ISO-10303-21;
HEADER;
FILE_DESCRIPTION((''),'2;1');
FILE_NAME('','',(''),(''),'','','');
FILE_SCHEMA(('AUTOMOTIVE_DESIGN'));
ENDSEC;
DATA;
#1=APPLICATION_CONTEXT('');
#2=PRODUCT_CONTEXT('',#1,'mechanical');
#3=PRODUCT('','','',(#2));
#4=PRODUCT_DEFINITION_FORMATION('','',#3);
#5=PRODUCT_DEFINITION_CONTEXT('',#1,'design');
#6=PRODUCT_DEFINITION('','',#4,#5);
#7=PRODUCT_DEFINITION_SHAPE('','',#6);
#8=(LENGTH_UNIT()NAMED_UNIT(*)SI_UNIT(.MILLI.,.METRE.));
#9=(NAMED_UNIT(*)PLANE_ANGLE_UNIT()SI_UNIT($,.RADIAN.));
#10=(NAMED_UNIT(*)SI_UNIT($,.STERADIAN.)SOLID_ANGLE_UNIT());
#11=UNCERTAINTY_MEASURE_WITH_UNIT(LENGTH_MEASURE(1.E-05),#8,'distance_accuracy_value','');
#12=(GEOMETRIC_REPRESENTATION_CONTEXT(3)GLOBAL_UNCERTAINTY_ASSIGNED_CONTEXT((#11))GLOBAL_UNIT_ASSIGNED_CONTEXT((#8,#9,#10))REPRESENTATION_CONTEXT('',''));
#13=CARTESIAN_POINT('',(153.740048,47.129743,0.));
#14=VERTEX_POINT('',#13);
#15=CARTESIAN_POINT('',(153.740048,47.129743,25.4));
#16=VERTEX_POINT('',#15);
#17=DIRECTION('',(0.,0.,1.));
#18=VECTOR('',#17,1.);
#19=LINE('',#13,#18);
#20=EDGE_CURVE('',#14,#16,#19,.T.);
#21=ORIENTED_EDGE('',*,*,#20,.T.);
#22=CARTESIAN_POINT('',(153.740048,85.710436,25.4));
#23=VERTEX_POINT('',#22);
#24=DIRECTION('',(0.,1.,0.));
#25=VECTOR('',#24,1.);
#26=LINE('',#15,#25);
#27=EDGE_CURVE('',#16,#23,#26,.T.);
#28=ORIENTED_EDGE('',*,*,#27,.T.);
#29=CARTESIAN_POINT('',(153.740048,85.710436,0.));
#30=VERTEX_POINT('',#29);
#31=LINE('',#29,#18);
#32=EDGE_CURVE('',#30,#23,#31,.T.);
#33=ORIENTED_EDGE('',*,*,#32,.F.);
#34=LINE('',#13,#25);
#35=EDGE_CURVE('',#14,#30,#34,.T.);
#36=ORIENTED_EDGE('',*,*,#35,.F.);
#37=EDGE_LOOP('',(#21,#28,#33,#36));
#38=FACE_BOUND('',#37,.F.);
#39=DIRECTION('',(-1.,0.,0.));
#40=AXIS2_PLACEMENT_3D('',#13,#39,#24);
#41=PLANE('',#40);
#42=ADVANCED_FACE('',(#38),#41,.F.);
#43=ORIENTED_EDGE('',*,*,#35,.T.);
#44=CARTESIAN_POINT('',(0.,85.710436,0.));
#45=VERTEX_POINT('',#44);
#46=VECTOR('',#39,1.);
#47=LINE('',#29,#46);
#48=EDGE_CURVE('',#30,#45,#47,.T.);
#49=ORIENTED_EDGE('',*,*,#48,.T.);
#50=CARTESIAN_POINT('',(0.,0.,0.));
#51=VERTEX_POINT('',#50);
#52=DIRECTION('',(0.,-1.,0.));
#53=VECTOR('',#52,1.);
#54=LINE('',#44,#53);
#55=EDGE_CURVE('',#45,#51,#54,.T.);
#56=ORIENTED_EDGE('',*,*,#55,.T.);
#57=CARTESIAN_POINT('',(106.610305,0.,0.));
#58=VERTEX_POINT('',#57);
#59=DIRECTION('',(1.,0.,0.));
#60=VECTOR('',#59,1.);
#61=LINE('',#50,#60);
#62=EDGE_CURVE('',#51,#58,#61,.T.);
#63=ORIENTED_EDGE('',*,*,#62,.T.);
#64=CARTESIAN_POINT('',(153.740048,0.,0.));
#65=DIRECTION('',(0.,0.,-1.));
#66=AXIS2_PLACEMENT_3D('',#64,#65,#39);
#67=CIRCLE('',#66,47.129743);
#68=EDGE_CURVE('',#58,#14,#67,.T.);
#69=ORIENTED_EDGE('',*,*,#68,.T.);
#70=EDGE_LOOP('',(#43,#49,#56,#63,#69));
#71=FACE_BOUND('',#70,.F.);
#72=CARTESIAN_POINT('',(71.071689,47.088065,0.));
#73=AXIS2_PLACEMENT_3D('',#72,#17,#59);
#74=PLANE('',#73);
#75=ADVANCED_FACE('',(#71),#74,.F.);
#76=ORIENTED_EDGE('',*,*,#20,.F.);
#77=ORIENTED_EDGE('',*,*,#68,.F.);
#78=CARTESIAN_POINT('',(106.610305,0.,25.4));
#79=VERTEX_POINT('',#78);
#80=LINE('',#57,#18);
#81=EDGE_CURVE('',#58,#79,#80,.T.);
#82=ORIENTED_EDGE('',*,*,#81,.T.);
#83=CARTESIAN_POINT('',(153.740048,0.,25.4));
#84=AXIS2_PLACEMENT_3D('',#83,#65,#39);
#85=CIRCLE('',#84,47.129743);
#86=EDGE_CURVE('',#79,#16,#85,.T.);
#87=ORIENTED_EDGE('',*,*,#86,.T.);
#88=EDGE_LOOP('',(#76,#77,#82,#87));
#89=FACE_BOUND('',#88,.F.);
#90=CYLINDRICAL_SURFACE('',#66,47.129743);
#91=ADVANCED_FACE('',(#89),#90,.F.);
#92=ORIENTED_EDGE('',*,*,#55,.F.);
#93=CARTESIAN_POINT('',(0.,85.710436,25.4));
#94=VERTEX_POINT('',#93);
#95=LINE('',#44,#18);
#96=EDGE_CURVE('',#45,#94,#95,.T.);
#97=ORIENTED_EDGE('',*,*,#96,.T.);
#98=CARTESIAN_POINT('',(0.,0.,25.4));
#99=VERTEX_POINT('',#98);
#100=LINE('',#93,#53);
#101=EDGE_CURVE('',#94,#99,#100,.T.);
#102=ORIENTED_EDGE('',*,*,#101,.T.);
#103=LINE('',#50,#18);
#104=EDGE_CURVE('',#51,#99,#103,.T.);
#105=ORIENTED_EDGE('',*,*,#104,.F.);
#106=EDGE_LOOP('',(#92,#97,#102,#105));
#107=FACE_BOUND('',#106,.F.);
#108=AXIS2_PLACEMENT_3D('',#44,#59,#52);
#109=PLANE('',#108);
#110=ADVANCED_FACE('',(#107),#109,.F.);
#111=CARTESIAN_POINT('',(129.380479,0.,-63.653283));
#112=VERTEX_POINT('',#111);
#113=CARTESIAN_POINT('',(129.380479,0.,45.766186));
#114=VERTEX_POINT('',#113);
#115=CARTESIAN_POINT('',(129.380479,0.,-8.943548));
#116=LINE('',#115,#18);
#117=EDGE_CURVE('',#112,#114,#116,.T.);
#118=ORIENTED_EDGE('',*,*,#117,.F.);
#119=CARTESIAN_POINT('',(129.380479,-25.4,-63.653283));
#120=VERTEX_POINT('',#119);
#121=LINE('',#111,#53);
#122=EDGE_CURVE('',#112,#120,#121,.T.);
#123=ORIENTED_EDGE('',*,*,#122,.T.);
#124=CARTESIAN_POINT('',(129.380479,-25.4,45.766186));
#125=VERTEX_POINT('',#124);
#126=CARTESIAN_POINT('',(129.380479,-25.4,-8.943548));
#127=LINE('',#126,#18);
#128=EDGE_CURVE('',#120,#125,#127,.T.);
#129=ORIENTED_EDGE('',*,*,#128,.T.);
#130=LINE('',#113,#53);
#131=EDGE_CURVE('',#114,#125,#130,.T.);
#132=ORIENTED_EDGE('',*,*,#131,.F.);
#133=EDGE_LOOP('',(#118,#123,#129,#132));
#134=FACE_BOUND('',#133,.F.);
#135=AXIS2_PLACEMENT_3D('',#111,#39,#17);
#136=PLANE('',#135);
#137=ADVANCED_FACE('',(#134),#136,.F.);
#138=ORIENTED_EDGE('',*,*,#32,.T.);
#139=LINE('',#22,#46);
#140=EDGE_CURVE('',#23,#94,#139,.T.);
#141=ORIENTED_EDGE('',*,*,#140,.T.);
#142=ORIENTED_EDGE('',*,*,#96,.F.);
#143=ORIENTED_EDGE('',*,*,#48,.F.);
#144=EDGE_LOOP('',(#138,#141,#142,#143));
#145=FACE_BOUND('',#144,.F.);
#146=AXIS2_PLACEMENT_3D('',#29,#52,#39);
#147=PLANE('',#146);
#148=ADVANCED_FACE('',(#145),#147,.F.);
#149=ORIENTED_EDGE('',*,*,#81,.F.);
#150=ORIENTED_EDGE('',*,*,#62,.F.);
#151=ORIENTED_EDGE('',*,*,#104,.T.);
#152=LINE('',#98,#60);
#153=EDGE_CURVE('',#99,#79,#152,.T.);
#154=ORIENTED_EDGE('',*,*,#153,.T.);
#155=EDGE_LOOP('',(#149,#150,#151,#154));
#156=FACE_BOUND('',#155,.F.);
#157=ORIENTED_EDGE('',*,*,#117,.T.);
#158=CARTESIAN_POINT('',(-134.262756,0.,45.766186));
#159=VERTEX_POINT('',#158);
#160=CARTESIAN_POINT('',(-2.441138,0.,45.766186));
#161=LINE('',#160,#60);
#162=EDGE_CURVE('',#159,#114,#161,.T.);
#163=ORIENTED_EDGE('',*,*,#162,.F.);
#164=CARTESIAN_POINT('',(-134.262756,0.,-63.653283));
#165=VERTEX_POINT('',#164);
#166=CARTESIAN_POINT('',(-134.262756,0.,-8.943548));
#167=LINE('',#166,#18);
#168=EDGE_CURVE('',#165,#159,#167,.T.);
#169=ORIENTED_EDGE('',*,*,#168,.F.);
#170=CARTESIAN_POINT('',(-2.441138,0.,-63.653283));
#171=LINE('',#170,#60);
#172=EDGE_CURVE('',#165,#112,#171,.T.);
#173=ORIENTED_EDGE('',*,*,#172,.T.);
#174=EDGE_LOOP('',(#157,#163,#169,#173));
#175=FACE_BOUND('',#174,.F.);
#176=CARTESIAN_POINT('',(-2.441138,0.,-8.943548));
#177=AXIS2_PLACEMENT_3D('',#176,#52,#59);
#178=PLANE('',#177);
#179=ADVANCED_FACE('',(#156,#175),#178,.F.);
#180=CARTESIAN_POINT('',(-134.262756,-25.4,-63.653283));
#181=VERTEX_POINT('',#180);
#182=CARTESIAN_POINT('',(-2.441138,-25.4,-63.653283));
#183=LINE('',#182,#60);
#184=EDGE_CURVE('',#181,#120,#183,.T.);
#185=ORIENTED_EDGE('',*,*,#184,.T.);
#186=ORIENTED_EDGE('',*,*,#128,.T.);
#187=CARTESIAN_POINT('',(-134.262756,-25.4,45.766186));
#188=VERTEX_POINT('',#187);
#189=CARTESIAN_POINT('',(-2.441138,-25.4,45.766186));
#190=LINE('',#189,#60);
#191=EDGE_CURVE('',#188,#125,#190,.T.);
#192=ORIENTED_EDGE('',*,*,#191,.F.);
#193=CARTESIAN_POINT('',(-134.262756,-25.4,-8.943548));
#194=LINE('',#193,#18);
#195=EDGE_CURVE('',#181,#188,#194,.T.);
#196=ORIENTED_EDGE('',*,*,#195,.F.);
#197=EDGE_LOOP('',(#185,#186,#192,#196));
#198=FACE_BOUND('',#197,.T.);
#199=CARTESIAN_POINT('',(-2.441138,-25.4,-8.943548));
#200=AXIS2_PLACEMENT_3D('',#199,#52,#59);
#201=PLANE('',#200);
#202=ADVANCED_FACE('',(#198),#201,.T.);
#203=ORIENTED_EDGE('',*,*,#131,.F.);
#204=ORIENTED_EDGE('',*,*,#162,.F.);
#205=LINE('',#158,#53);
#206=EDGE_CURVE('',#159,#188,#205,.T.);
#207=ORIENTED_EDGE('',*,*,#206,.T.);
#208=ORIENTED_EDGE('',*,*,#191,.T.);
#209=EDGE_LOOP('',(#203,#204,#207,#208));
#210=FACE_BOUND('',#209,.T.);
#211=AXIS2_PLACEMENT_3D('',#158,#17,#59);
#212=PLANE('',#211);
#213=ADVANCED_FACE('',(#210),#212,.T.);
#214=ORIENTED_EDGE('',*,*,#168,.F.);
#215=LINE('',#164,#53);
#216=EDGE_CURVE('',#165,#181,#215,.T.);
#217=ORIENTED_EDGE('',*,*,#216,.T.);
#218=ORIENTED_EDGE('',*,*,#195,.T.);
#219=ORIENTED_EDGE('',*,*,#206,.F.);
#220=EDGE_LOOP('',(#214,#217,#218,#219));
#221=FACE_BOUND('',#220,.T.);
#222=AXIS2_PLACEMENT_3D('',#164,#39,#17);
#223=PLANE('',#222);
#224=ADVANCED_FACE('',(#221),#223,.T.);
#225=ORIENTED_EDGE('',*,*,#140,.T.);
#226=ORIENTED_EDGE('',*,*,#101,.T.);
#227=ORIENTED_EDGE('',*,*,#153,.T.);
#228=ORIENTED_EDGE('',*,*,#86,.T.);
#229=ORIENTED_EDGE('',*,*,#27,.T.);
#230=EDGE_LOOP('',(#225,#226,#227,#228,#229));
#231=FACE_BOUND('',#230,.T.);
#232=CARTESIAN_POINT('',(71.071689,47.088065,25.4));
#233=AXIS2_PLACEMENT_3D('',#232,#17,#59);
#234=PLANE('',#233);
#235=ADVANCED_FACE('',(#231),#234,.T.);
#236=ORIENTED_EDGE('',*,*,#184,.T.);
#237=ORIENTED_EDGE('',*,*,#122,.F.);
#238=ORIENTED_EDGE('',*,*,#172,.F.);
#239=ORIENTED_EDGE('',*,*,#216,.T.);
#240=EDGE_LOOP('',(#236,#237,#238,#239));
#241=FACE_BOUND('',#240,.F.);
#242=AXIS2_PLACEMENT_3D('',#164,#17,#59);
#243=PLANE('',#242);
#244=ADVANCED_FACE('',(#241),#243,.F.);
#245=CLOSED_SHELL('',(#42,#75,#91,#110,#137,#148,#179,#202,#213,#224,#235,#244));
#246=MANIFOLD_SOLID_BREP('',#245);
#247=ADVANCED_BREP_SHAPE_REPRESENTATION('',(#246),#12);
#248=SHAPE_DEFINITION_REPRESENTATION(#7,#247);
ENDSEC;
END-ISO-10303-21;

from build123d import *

# Parameters (mm, degrees)
F0_W     = 263.6432349682
F0_H     = 109.4194687903
F0_W_2   = 227.0261347294
F0_H_2   = 80.9316635132
F1_DEPTH = 25.4
F3_DEPTH = 25.4


with BuildPart() as f1:
    # F0 (on Front) → F1 (new body)
    with BuildSketch(Plane.XZ):
        with Locations((-2.4411380291, -8.943548426)):
            Rectangle(F0_W, F0_H)
        with Locations((-3.0514225364, -5.458008498)):
            Rectangle(F0_W_2, F0_H_2, mode=Mode.SUBTRACT)
        with Locations((-3.0514225364, -5.458008498)):
            Rectangle(F0_W_2, F0_H_2)
    extrude(amount=F1_DEPTH)

    # F2 (on Top) → F3 (join)
    with BuildSketch(Plane.XY):
        with BuildLine():
            Line((0, 85.7104361057), (0, 0))
            Line((0, 0), (106.6103050285, 0))
            ThreePointArc((106.6103050285, 0), (120.414287269, 33.3257611396), (153.7400484085, 47.12974338))
            Line((153.7400484085, 47.12974338), (153.7400484085, 85.7104361057))
            Line((153.7400484085, 85.7104361057), (0, 85.7104361057))
        make_face()
    extrude(amount=F3_DEPTH)


solid = f1.part
